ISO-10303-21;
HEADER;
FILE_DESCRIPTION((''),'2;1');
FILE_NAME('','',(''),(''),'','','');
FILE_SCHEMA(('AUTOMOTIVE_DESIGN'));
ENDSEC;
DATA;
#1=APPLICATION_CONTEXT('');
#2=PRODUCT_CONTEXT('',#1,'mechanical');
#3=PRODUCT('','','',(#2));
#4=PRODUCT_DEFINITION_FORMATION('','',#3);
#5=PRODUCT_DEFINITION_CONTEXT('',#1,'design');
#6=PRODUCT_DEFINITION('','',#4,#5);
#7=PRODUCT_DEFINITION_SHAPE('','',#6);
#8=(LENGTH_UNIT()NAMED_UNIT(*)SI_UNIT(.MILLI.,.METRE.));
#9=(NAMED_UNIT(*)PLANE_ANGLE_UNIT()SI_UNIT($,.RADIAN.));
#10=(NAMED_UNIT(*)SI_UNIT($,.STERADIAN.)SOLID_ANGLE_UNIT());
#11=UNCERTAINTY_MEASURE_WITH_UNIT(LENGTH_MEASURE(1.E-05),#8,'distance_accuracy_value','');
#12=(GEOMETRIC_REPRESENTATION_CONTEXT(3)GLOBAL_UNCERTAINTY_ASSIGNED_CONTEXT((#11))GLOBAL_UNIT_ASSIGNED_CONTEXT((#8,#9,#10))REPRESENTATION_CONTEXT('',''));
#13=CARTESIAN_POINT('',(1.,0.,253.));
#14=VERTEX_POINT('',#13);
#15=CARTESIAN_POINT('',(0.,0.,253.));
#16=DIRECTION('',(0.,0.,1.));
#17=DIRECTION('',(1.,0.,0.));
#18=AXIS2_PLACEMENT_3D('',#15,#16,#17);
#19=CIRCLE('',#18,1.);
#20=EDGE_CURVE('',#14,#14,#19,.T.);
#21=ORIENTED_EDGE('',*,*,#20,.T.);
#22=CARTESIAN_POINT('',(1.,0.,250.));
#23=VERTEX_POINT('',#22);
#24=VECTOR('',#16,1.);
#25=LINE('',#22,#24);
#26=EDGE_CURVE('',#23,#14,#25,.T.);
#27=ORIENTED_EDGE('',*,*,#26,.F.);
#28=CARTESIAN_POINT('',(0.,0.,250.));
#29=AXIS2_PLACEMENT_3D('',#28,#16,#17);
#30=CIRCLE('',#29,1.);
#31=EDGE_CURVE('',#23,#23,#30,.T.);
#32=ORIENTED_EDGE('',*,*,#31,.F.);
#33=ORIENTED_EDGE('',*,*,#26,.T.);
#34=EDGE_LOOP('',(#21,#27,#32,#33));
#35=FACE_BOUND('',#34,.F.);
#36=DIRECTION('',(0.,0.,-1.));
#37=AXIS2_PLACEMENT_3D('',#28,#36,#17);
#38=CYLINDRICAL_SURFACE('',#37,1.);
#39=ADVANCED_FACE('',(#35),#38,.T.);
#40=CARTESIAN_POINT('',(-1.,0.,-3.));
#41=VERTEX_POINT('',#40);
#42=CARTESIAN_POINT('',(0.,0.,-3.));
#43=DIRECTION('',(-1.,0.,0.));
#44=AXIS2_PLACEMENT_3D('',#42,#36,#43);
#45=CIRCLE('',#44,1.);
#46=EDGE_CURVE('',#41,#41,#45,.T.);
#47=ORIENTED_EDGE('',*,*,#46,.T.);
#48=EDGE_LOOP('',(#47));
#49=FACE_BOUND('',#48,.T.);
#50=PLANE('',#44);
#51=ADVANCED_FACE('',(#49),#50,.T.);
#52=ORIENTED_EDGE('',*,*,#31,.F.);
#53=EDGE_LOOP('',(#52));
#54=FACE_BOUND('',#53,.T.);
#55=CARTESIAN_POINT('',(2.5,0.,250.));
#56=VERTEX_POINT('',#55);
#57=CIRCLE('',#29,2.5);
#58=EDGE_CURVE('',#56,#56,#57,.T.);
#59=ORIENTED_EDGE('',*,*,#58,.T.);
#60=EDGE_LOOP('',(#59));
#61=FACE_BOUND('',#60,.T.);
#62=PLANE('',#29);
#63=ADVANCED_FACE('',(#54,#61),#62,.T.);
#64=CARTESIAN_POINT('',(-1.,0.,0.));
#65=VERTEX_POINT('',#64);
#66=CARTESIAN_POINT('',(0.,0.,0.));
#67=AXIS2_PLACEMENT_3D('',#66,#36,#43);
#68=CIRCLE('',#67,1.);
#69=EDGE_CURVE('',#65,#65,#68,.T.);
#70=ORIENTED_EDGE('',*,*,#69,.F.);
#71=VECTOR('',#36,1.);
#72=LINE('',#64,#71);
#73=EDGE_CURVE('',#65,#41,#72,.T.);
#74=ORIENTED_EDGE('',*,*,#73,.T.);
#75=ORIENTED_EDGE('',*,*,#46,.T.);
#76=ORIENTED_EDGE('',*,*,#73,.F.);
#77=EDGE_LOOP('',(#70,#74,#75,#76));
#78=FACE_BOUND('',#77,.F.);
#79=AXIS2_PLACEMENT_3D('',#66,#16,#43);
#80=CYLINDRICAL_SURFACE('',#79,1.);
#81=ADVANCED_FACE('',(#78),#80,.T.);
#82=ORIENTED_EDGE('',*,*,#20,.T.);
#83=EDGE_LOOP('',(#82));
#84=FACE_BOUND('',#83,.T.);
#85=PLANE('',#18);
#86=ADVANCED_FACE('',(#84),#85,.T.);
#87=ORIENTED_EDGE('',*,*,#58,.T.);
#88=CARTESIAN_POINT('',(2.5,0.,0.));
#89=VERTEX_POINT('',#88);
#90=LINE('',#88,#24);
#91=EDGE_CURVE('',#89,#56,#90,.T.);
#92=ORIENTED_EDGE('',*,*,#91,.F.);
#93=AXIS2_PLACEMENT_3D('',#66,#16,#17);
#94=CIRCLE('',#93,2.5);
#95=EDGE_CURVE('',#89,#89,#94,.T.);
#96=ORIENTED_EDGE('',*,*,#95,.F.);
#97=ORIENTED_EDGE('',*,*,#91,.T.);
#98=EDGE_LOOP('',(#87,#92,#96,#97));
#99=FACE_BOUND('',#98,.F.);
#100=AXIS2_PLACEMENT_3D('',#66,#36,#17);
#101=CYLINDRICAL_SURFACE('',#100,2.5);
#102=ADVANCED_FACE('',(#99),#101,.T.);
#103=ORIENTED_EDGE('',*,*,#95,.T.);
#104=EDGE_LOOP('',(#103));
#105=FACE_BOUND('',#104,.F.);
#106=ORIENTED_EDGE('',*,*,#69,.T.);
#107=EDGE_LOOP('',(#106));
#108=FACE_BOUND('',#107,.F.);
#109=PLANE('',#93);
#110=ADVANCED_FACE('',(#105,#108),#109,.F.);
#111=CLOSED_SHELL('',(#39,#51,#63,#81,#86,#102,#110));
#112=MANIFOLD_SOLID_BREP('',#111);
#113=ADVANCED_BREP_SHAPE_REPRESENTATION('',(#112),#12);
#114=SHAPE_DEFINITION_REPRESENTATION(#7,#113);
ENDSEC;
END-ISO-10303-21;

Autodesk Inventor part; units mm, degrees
ref_plane "YZ Plane" through (0, 0, 0) normal (1, 0, 0) x (0, 1, 0)
ref_plane "XZ Plane" through (0, 0, 0) normal (0, 1, 0) x (-1, 0, 0)
ref_plane "XY Plane" through (0, 0, 0) normal (0, 0, 1) x (1, 0, 0)
sketch "Sketch1" plane through (0, 0, 0) normal (0, 0, 1) x (1, 0, 0)
  circle A0 centre (0, 0) radius 2.5
  dimension "d0" = 5
extrude "Extrusion1" add sketch "Sketch1" along normal blind 250
sketch "Sketch2" plane through (0, 0, 250) normal (0, 0, 1) x (1, 0, 0)
  circle A0 centre (0, 0) radius 2.5 projected
  circle A1 centre (0, 0) radius 1
  dimension "d3" = 2
extrude "Extrusion2" add sketch "Sketch2" along normal blind 3 contours A1
sketch "Sketch3" plane through (0, 0, 0) normal (0, 0, -1) x (-1, 0, 0)
  circle A0 centre (0, 0) radius 1
  dimension "d6" = 2
extrude "Extrusion3" add sketch "Sketch3" along normal blind 3
properties part number "Bone-25cm"
